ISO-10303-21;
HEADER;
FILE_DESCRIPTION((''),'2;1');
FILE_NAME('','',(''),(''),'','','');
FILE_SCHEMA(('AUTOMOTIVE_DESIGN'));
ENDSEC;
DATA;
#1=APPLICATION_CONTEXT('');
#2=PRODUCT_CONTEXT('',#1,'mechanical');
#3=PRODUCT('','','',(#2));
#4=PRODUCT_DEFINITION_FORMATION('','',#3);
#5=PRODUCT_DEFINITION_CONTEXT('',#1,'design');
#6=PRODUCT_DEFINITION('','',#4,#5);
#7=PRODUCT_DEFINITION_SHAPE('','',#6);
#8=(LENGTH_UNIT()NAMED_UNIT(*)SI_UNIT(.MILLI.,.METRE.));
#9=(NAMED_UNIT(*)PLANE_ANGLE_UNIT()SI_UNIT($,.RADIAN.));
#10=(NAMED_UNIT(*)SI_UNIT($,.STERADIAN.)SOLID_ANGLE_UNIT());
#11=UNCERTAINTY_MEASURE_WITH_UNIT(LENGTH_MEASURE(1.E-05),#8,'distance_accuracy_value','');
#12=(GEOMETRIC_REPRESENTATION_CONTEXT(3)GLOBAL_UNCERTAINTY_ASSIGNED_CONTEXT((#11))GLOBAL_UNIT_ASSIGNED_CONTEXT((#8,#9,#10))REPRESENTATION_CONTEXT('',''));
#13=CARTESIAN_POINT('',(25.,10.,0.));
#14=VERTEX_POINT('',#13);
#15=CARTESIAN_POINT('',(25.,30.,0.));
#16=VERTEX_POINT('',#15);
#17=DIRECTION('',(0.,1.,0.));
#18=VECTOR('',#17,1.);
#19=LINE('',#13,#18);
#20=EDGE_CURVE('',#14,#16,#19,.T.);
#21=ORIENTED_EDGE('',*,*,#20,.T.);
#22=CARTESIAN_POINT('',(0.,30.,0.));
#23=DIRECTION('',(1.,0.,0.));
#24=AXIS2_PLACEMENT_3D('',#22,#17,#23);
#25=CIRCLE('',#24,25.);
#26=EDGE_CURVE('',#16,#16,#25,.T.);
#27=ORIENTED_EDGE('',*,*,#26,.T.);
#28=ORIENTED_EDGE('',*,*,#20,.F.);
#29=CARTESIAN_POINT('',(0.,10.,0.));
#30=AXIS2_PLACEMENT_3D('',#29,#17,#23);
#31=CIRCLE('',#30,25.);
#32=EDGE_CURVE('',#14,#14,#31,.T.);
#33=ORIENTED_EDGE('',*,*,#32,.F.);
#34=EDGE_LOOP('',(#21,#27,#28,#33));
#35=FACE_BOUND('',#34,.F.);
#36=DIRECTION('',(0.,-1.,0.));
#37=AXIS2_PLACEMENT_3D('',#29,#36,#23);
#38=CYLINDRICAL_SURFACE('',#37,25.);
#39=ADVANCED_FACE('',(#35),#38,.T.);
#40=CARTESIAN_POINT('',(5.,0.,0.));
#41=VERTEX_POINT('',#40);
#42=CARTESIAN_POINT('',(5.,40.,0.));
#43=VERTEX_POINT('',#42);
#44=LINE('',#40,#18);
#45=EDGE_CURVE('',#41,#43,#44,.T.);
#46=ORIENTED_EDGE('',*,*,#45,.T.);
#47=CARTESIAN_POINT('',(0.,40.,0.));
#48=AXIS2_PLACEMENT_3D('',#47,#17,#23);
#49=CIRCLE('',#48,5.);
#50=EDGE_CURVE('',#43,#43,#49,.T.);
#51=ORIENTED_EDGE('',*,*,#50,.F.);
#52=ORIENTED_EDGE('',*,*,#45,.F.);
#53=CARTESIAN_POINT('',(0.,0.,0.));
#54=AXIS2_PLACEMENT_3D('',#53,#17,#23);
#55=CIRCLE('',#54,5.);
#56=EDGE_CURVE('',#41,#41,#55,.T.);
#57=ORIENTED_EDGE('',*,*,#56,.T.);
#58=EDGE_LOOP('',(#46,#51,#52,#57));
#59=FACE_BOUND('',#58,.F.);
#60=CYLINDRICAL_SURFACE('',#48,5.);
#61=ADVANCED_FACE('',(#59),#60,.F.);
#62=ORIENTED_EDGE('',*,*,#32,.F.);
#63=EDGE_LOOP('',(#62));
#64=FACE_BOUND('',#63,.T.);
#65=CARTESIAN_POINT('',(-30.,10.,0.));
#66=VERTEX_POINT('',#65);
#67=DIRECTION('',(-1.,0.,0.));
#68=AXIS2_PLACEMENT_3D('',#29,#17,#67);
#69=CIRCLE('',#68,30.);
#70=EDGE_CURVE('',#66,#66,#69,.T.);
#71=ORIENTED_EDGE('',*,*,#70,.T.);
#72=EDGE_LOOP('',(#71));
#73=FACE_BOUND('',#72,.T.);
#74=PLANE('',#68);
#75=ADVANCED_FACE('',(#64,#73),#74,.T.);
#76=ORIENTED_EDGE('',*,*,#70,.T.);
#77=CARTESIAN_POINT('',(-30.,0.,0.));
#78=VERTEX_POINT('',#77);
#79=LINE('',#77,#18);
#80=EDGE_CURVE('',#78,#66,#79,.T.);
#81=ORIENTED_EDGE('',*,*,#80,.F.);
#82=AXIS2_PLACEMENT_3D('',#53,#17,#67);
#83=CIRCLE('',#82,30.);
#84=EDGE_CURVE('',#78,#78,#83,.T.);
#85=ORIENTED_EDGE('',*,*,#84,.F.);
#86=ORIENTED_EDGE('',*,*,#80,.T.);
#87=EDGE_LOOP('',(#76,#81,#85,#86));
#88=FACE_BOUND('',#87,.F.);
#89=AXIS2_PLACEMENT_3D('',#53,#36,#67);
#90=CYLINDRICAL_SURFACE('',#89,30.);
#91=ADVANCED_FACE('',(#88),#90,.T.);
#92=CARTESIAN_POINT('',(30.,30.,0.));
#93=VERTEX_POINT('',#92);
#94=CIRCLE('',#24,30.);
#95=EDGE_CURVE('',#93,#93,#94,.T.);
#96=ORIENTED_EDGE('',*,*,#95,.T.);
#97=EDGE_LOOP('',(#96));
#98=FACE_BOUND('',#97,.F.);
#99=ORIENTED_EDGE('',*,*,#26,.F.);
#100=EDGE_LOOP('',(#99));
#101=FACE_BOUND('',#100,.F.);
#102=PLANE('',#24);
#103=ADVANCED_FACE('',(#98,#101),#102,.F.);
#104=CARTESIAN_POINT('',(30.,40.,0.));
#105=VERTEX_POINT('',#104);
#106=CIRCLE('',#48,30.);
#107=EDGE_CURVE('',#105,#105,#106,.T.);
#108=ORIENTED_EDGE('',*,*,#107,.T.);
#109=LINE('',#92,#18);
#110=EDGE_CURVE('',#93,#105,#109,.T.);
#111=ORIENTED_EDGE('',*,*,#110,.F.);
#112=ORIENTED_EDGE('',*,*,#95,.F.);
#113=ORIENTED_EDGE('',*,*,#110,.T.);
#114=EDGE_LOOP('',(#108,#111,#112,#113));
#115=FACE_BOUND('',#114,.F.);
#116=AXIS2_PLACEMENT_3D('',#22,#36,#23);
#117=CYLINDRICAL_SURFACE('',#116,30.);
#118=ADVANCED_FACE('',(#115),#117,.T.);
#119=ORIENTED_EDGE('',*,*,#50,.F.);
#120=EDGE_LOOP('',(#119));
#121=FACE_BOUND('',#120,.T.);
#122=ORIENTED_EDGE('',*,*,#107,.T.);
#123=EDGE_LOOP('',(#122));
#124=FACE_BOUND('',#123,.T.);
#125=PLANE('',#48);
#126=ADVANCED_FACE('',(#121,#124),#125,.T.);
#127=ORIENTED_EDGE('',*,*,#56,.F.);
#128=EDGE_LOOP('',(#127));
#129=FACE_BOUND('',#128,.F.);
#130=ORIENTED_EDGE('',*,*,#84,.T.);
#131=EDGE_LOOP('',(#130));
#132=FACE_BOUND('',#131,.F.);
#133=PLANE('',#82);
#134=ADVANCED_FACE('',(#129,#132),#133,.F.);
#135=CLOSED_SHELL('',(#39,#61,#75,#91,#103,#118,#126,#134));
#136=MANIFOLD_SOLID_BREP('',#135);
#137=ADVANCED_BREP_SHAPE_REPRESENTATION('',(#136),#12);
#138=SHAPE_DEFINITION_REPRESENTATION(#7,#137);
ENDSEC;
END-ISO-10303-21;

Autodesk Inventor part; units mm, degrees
ref_plane "YZ Plane" through (0, 0, 0) normal (1, 0, 0) x (0, 1, 0)
ref_plane "XZ Plane" through (0, 0, 0) normal (0, 1, 0) x (-1, 0, 0)
ref_plane "XY Plane" through (0, 0, 0) normal (0, 0, 1) x (1, 0, 0)
sketch "Sketch1" plane through (0, 0, 0) normal (0, 1, 0) x (-1, 0, 0)
  circle A0 centre (0, 0) radius 30
  dimension "d0" = 60
extrude "Extrusion1" add sketch "Sketch1" along normal blind 10
sketch "Sketch2" plane through (0, 10, 0) normal (0, 1, 0) x (1, 0, 0)
  circle A0 centre (0, 0) radius 5
  dimension "d3" = 10
extrude "Extrusion2" cut sketch "Sketch2" against normal through all
sketch "Sketch3" plane through (0, 10, 0) normal (0, 1, 0) x (1, 0, 0)
  circle A0 centre (0, 0) radius 25
  dimension "d6" = 50
extrude "Extrusion3" add sketch "Sketch3" along normal blind 20
sketch "Sketch5" plane through (0, 30, 0) normal (0, 1, 0) x (1, 0, 0)
  circle A0 centre (0, 0) radius 30
  dimension "d9" = 60
extrude "Extrusion4" add sketch "Sketch5" along normal blind 10
sketch "Sketch6" plane through (0, 40, 0) normal (0, 1, 0) x (1, 0, 0)
  circle A0 centre (0, 0) radius 5
  dimension "d12" = 10
extrude "Extrusion5" cut sketch "Sketch6" against normal through all
properties part number "pulley"
